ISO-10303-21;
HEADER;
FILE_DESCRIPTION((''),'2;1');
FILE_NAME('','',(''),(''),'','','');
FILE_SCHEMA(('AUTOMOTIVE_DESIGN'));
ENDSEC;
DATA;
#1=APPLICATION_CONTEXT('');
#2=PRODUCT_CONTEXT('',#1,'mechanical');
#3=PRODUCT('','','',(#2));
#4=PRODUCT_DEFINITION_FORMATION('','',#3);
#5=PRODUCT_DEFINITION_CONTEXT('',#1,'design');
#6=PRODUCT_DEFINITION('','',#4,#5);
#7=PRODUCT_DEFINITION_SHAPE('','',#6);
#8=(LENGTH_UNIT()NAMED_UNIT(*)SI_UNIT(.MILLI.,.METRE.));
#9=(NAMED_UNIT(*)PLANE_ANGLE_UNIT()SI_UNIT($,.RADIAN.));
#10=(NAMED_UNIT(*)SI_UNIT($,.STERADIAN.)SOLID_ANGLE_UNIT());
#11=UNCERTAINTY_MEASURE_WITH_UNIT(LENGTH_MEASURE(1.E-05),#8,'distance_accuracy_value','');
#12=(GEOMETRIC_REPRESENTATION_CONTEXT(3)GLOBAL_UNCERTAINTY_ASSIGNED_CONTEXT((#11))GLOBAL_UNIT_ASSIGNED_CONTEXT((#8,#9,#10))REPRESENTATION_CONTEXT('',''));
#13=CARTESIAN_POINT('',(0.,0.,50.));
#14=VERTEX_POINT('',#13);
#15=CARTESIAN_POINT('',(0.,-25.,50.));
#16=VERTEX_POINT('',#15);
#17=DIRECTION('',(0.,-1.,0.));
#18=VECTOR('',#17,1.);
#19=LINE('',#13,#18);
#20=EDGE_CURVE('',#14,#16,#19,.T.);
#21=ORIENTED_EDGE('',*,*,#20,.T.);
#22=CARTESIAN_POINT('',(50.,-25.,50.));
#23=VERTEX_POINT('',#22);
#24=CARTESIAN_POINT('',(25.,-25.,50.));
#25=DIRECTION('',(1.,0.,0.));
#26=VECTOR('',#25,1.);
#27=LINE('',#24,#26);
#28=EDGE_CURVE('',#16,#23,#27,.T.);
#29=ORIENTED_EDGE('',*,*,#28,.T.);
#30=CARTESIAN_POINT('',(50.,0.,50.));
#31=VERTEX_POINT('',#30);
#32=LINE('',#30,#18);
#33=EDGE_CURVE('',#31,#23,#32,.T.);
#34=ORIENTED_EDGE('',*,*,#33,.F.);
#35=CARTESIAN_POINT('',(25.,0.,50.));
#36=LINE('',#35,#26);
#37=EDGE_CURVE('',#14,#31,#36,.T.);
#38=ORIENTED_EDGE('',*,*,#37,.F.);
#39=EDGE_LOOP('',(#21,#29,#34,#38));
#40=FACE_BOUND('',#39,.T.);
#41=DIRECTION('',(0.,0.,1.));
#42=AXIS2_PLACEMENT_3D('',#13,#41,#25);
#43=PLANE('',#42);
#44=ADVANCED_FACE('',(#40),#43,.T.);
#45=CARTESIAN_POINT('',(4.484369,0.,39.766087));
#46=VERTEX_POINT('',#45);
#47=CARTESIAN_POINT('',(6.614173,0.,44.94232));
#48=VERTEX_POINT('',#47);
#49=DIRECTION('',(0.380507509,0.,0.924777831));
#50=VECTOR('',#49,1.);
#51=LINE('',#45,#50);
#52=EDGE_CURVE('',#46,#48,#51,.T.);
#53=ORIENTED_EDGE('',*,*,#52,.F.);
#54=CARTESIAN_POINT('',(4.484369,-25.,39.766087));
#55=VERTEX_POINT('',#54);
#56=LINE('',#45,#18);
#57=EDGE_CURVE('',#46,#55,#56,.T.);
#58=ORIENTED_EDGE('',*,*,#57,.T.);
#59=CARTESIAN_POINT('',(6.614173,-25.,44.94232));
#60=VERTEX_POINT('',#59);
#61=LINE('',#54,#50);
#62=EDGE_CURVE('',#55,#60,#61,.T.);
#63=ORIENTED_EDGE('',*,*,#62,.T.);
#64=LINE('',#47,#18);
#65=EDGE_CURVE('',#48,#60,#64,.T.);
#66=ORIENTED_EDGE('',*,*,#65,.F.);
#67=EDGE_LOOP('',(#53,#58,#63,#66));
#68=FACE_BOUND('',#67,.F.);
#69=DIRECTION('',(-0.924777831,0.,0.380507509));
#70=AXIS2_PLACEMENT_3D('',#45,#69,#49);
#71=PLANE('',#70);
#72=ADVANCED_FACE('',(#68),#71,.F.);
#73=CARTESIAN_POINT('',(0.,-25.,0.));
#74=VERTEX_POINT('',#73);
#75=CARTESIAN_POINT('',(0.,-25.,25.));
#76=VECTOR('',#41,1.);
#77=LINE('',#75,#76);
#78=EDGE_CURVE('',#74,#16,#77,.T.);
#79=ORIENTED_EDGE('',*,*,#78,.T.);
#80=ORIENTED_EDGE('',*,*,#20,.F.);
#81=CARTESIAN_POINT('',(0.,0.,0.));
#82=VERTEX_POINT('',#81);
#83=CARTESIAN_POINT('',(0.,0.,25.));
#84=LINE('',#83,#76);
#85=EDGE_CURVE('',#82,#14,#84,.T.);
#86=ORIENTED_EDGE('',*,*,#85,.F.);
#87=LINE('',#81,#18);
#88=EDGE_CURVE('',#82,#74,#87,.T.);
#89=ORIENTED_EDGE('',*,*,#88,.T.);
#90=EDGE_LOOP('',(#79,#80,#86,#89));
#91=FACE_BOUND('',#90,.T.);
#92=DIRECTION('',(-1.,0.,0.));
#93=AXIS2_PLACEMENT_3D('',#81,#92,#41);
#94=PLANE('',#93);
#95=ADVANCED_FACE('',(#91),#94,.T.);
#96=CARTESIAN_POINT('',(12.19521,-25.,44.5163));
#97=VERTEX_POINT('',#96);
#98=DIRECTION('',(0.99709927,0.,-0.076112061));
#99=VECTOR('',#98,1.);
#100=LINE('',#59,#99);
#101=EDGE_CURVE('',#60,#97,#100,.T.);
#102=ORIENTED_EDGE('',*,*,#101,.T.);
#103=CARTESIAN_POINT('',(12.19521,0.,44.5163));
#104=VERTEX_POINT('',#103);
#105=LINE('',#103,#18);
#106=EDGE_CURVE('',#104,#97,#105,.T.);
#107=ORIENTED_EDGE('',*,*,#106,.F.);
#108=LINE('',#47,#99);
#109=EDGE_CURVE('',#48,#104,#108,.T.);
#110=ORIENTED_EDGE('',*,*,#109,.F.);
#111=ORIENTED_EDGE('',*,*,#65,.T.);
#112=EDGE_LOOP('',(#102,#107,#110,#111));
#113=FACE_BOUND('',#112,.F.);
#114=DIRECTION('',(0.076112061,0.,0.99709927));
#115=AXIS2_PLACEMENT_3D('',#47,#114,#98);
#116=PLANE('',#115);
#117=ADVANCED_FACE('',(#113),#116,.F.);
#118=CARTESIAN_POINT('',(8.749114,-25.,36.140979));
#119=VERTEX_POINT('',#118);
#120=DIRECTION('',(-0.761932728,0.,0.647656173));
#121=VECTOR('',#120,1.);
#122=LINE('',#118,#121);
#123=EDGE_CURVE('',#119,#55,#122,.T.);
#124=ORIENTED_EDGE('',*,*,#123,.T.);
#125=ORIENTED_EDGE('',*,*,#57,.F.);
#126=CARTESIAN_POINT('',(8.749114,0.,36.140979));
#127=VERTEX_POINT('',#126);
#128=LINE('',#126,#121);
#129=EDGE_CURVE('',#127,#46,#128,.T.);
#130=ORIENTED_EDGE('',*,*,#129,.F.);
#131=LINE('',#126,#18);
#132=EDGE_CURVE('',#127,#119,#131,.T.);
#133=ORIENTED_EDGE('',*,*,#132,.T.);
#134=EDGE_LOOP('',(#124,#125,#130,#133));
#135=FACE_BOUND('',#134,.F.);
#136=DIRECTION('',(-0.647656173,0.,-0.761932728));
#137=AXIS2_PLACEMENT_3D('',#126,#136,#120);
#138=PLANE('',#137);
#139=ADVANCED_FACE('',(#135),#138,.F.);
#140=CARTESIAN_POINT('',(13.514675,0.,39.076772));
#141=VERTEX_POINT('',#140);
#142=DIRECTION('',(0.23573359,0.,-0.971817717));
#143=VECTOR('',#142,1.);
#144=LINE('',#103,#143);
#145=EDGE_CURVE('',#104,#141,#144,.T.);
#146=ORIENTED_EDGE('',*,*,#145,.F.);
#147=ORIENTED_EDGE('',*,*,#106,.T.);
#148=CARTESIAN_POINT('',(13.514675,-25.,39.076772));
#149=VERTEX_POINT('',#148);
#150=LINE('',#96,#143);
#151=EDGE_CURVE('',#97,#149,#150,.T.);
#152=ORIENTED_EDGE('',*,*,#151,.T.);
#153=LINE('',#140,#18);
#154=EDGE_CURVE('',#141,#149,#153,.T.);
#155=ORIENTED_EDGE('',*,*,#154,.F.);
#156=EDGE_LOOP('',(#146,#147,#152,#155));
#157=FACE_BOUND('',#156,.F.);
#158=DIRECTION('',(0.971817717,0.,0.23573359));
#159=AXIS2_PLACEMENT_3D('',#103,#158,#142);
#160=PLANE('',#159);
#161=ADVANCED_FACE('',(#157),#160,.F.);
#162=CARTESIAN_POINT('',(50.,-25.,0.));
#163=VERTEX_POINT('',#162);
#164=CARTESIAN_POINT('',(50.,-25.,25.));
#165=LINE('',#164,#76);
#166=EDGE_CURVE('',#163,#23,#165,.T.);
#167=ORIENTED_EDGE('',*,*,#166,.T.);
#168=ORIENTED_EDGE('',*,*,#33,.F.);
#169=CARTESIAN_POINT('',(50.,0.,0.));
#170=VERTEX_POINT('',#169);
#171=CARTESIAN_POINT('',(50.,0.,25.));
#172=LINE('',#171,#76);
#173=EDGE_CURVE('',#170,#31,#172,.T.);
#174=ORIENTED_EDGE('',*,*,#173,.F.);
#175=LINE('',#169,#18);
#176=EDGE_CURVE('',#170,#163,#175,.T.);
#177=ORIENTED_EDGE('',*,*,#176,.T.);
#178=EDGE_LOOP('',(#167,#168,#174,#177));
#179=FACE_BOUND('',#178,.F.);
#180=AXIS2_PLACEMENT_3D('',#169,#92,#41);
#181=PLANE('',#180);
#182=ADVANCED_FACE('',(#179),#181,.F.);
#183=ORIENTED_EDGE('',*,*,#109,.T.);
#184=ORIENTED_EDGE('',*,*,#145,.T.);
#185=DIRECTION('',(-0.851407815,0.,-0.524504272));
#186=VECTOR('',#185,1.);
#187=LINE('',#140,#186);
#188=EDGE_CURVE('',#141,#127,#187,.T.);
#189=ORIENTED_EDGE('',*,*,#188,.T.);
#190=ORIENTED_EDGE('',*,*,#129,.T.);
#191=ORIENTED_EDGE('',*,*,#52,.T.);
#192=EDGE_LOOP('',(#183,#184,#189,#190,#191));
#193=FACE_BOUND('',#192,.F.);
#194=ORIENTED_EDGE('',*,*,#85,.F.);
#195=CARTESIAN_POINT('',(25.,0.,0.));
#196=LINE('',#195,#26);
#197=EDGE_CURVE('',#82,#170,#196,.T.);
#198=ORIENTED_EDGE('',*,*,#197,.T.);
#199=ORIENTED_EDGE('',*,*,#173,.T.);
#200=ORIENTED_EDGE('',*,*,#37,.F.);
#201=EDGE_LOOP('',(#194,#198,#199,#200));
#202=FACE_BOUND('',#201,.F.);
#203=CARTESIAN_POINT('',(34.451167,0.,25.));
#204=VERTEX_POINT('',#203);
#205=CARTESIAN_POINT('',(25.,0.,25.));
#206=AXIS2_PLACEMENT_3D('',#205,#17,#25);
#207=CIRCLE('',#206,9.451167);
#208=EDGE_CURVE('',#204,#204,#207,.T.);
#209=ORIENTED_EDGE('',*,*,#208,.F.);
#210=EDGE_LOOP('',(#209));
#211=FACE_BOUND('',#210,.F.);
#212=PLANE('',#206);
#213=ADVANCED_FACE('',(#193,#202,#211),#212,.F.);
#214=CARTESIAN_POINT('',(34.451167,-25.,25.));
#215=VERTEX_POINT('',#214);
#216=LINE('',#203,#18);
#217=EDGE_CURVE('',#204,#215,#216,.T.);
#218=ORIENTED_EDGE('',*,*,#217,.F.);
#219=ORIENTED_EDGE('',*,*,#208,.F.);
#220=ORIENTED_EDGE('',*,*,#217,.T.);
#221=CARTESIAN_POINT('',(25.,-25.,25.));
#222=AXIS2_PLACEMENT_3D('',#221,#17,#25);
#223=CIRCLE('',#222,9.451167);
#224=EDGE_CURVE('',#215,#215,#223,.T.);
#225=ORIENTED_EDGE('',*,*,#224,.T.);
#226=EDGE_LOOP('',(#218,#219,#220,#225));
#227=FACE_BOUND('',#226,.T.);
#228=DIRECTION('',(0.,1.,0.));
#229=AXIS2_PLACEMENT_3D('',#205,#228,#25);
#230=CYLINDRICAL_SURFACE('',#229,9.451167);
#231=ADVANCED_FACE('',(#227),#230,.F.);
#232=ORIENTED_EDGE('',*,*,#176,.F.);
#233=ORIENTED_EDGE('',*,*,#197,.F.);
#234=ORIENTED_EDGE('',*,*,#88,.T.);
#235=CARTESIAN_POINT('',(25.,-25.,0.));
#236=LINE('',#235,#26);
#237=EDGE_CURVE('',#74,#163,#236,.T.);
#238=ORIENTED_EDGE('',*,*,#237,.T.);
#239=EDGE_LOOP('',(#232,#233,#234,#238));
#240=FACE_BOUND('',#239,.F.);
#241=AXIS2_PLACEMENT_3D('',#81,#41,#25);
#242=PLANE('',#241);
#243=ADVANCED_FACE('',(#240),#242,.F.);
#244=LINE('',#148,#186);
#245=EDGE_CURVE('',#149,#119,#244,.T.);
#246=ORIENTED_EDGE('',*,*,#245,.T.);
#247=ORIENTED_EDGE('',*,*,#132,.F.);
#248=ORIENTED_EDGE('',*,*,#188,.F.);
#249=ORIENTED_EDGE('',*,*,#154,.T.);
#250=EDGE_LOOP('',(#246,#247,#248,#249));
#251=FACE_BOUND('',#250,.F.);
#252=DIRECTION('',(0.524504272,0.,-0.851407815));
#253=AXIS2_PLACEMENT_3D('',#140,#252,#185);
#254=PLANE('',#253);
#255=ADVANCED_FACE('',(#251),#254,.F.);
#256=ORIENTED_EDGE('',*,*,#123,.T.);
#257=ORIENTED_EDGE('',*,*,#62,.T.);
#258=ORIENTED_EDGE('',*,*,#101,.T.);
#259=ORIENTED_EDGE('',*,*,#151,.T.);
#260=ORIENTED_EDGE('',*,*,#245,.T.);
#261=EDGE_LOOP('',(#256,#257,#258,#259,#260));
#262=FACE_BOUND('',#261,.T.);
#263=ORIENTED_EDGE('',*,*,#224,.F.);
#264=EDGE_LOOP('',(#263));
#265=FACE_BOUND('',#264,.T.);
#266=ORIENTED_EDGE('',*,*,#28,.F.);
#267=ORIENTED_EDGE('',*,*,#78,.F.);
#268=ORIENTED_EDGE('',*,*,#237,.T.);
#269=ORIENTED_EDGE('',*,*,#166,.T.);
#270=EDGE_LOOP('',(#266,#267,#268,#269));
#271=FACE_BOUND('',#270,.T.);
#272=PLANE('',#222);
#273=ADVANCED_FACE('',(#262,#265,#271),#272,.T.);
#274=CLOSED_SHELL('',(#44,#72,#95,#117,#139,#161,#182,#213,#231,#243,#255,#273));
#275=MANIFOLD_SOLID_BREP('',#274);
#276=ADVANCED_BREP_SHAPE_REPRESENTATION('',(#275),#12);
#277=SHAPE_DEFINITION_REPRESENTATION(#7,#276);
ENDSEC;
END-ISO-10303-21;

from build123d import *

# Parameters (mm, degrees)
F0_W     = 50
F0_H     = 50
F0_R     = 9.451167
F1_DEPTH = 25


with BuildPart() as f1:
    # F0 (on Front) → F1 (new body)
    with BuildSketch(Plane.XZ):
        with Locations((25, 25)):
            Rectangle(F0_W, F0_H)
        Polygon((6.614173, 44.94232), (12.19521, 44.5163), (13.514675, 39.076772), (8.749114, 36.140979), (4.484369, 39.766087), align=None, mode=Mode.SUBTRACT)
        with Locations((25, 25)):
            Circle(F0_R, mode=Mode.SUBTRACT)
    extrude(amount=F1_DEPTH)


solid = f1.part
